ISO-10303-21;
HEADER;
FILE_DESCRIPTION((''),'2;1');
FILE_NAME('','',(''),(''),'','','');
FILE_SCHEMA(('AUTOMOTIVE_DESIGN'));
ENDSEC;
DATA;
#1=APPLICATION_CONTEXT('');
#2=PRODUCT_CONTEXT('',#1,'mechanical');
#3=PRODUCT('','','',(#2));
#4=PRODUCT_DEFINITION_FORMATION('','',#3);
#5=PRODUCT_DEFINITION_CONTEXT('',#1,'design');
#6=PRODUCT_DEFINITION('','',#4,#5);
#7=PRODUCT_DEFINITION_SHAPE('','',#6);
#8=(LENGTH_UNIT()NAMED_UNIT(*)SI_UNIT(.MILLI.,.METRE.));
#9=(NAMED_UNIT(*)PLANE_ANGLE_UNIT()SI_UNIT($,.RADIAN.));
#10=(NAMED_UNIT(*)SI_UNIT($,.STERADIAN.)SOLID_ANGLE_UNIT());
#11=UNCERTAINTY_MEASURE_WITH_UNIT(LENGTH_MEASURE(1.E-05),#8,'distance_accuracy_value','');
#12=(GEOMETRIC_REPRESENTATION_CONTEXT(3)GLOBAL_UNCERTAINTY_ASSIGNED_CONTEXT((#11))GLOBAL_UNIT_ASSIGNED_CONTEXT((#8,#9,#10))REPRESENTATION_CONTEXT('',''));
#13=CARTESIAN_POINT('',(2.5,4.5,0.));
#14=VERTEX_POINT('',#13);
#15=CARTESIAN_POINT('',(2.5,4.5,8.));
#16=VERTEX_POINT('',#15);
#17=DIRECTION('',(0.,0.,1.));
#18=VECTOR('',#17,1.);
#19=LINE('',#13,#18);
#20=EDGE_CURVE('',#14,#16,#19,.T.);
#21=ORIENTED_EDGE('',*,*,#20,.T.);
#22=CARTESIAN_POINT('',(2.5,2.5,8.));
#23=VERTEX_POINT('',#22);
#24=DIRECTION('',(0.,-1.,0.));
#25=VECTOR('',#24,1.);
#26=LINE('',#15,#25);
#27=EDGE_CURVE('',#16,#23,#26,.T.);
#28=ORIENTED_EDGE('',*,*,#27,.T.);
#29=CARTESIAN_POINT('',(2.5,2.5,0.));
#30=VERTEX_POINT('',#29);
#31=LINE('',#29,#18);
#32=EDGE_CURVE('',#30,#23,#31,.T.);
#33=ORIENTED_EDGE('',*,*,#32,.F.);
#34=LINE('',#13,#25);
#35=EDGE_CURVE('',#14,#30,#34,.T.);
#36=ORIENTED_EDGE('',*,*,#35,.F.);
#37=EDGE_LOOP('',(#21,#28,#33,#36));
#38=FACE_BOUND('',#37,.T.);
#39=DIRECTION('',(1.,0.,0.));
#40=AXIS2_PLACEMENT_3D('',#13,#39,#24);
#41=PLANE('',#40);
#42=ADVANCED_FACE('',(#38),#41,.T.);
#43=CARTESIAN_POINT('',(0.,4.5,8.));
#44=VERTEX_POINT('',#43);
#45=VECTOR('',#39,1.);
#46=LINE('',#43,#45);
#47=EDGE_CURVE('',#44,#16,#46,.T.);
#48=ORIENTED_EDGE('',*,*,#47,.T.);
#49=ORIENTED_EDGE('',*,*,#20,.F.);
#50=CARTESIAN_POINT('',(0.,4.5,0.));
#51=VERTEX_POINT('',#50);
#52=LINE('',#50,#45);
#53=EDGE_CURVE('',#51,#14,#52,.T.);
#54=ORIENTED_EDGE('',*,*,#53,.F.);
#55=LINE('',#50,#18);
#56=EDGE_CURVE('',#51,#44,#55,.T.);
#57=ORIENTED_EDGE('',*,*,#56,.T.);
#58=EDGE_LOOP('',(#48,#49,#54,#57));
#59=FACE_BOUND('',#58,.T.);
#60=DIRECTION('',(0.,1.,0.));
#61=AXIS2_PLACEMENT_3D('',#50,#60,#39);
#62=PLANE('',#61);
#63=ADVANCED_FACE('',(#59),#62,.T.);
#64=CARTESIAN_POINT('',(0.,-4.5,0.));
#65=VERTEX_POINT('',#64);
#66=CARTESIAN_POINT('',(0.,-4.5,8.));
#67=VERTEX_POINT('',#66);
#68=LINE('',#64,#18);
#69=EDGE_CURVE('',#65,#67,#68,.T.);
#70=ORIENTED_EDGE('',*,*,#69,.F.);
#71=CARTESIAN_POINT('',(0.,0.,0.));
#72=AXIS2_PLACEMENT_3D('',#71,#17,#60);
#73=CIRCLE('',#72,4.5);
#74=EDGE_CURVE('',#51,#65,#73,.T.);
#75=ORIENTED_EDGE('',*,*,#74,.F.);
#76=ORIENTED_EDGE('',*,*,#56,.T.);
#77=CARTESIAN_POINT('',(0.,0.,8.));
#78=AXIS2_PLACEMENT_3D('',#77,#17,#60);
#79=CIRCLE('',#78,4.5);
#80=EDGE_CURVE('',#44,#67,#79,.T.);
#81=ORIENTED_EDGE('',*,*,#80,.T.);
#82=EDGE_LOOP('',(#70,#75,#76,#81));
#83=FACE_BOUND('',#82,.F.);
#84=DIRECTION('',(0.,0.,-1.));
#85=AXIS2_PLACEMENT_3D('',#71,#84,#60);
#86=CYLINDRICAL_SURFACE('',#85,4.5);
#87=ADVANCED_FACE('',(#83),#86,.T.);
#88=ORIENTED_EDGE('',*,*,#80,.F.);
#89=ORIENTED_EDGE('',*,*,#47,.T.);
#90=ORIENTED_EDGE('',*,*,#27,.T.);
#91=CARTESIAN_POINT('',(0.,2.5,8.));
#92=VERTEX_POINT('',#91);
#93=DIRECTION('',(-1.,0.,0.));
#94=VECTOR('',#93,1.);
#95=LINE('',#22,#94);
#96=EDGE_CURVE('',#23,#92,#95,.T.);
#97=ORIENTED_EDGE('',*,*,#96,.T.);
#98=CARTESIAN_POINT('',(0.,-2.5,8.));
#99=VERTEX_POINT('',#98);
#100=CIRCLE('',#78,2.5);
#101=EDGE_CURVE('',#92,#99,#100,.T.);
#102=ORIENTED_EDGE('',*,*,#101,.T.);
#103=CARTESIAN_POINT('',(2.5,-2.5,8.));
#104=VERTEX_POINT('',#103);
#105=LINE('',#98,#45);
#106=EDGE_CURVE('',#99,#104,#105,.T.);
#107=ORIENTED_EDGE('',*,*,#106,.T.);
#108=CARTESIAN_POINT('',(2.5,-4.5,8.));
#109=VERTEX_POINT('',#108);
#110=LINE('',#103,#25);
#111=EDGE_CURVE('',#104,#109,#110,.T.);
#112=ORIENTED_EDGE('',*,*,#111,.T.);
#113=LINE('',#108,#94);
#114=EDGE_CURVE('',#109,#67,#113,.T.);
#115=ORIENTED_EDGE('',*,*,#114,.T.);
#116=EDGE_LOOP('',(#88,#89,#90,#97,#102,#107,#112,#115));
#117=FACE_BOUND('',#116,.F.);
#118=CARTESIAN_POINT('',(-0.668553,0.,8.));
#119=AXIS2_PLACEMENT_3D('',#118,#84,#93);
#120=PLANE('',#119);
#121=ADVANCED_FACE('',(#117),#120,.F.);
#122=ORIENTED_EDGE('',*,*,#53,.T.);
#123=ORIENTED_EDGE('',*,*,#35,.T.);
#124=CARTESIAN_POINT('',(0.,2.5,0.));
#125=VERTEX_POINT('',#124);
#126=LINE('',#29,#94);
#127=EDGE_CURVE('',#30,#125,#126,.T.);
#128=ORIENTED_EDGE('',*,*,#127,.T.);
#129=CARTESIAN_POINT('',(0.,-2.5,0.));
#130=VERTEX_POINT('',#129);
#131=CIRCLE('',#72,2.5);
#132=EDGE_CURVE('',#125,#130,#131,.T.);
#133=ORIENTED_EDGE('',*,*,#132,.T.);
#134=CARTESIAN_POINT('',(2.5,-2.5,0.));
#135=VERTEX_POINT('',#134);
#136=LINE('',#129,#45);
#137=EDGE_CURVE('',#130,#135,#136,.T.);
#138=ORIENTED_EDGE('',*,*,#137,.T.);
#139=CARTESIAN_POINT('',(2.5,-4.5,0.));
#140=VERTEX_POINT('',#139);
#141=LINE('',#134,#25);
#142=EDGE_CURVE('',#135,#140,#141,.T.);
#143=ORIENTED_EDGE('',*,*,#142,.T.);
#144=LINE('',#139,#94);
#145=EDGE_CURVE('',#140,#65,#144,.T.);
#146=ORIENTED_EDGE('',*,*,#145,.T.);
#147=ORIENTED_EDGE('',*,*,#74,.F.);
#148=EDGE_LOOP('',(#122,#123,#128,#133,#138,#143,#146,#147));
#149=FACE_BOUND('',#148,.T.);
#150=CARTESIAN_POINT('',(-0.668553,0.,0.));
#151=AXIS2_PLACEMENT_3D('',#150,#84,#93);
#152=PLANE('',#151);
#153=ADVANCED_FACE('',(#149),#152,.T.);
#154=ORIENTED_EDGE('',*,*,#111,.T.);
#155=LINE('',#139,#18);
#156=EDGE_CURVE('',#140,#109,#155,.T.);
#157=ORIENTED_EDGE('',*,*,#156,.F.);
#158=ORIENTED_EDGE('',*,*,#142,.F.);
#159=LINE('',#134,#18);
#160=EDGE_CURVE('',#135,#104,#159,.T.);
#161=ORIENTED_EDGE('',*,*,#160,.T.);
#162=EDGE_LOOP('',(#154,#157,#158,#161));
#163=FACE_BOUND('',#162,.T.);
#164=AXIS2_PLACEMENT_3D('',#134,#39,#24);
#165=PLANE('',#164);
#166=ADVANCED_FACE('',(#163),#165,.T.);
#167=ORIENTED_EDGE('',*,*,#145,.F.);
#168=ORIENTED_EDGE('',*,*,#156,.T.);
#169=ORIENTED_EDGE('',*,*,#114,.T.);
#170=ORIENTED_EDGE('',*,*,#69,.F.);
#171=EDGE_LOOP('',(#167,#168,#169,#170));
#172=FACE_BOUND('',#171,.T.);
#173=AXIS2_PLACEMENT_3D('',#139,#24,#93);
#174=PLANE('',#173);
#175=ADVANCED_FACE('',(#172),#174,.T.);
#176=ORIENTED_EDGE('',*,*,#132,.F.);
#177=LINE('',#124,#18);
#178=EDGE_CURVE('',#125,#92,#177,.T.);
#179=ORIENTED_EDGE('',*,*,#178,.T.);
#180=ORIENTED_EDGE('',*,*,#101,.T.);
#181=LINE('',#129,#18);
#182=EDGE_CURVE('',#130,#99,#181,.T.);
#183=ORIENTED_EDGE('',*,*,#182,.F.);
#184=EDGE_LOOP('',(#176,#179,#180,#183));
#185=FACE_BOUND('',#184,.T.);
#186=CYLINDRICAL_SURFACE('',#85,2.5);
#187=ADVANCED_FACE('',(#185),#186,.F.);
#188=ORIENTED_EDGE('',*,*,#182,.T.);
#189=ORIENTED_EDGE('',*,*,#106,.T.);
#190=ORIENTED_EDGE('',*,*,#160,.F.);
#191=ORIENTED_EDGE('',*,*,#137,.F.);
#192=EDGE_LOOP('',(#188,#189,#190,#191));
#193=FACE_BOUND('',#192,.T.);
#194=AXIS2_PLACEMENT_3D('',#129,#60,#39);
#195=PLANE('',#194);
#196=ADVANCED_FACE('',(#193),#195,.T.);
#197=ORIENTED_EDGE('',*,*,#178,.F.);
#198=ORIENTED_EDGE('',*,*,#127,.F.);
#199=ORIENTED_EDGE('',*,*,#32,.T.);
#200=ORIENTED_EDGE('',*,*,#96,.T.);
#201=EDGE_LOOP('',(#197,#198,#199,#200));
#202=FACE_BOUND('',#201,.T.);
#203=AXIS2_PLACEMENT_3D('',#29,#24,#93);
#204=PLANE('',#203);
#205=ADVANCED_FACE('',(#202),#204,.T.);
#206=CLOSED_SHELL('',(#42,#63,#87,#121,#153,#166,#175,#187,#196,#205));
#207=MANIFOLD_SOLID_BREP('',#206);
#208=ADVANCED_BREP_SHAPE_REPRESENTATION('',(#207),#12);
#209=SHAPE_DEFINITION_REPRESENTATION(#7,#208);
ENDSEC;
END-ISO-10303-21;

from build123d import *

# Parameters (mm, degrees)
PAD_DEPTH = 8


with BuildPart() as part:
    # Sketch → Pad (new body)
    with BuildSketch(Plane.XY):
        with BuildLine():
            ThreePointArc((0, 2.5), (-2.5, 0), (0, -2.5))
            Line((0, -2.5), (2.5, -2.5))
            Line((2.5, -2.5), (2.5, -4.5))
            Line((2.5, -4.5), (0, -4.5))
            ThreePointArc((0, 4.5), (-4.5, 0), (0, -4.5))
            Line((0, 4.5), (2.5, 4.5))
            Line((2.5, 4.5), (2.5, 2.5))
            Line((2.5, 2.5), (0, 2.5))
        make_face()
    extrude(amount=PAD_DEPTH)


solid = part.part
